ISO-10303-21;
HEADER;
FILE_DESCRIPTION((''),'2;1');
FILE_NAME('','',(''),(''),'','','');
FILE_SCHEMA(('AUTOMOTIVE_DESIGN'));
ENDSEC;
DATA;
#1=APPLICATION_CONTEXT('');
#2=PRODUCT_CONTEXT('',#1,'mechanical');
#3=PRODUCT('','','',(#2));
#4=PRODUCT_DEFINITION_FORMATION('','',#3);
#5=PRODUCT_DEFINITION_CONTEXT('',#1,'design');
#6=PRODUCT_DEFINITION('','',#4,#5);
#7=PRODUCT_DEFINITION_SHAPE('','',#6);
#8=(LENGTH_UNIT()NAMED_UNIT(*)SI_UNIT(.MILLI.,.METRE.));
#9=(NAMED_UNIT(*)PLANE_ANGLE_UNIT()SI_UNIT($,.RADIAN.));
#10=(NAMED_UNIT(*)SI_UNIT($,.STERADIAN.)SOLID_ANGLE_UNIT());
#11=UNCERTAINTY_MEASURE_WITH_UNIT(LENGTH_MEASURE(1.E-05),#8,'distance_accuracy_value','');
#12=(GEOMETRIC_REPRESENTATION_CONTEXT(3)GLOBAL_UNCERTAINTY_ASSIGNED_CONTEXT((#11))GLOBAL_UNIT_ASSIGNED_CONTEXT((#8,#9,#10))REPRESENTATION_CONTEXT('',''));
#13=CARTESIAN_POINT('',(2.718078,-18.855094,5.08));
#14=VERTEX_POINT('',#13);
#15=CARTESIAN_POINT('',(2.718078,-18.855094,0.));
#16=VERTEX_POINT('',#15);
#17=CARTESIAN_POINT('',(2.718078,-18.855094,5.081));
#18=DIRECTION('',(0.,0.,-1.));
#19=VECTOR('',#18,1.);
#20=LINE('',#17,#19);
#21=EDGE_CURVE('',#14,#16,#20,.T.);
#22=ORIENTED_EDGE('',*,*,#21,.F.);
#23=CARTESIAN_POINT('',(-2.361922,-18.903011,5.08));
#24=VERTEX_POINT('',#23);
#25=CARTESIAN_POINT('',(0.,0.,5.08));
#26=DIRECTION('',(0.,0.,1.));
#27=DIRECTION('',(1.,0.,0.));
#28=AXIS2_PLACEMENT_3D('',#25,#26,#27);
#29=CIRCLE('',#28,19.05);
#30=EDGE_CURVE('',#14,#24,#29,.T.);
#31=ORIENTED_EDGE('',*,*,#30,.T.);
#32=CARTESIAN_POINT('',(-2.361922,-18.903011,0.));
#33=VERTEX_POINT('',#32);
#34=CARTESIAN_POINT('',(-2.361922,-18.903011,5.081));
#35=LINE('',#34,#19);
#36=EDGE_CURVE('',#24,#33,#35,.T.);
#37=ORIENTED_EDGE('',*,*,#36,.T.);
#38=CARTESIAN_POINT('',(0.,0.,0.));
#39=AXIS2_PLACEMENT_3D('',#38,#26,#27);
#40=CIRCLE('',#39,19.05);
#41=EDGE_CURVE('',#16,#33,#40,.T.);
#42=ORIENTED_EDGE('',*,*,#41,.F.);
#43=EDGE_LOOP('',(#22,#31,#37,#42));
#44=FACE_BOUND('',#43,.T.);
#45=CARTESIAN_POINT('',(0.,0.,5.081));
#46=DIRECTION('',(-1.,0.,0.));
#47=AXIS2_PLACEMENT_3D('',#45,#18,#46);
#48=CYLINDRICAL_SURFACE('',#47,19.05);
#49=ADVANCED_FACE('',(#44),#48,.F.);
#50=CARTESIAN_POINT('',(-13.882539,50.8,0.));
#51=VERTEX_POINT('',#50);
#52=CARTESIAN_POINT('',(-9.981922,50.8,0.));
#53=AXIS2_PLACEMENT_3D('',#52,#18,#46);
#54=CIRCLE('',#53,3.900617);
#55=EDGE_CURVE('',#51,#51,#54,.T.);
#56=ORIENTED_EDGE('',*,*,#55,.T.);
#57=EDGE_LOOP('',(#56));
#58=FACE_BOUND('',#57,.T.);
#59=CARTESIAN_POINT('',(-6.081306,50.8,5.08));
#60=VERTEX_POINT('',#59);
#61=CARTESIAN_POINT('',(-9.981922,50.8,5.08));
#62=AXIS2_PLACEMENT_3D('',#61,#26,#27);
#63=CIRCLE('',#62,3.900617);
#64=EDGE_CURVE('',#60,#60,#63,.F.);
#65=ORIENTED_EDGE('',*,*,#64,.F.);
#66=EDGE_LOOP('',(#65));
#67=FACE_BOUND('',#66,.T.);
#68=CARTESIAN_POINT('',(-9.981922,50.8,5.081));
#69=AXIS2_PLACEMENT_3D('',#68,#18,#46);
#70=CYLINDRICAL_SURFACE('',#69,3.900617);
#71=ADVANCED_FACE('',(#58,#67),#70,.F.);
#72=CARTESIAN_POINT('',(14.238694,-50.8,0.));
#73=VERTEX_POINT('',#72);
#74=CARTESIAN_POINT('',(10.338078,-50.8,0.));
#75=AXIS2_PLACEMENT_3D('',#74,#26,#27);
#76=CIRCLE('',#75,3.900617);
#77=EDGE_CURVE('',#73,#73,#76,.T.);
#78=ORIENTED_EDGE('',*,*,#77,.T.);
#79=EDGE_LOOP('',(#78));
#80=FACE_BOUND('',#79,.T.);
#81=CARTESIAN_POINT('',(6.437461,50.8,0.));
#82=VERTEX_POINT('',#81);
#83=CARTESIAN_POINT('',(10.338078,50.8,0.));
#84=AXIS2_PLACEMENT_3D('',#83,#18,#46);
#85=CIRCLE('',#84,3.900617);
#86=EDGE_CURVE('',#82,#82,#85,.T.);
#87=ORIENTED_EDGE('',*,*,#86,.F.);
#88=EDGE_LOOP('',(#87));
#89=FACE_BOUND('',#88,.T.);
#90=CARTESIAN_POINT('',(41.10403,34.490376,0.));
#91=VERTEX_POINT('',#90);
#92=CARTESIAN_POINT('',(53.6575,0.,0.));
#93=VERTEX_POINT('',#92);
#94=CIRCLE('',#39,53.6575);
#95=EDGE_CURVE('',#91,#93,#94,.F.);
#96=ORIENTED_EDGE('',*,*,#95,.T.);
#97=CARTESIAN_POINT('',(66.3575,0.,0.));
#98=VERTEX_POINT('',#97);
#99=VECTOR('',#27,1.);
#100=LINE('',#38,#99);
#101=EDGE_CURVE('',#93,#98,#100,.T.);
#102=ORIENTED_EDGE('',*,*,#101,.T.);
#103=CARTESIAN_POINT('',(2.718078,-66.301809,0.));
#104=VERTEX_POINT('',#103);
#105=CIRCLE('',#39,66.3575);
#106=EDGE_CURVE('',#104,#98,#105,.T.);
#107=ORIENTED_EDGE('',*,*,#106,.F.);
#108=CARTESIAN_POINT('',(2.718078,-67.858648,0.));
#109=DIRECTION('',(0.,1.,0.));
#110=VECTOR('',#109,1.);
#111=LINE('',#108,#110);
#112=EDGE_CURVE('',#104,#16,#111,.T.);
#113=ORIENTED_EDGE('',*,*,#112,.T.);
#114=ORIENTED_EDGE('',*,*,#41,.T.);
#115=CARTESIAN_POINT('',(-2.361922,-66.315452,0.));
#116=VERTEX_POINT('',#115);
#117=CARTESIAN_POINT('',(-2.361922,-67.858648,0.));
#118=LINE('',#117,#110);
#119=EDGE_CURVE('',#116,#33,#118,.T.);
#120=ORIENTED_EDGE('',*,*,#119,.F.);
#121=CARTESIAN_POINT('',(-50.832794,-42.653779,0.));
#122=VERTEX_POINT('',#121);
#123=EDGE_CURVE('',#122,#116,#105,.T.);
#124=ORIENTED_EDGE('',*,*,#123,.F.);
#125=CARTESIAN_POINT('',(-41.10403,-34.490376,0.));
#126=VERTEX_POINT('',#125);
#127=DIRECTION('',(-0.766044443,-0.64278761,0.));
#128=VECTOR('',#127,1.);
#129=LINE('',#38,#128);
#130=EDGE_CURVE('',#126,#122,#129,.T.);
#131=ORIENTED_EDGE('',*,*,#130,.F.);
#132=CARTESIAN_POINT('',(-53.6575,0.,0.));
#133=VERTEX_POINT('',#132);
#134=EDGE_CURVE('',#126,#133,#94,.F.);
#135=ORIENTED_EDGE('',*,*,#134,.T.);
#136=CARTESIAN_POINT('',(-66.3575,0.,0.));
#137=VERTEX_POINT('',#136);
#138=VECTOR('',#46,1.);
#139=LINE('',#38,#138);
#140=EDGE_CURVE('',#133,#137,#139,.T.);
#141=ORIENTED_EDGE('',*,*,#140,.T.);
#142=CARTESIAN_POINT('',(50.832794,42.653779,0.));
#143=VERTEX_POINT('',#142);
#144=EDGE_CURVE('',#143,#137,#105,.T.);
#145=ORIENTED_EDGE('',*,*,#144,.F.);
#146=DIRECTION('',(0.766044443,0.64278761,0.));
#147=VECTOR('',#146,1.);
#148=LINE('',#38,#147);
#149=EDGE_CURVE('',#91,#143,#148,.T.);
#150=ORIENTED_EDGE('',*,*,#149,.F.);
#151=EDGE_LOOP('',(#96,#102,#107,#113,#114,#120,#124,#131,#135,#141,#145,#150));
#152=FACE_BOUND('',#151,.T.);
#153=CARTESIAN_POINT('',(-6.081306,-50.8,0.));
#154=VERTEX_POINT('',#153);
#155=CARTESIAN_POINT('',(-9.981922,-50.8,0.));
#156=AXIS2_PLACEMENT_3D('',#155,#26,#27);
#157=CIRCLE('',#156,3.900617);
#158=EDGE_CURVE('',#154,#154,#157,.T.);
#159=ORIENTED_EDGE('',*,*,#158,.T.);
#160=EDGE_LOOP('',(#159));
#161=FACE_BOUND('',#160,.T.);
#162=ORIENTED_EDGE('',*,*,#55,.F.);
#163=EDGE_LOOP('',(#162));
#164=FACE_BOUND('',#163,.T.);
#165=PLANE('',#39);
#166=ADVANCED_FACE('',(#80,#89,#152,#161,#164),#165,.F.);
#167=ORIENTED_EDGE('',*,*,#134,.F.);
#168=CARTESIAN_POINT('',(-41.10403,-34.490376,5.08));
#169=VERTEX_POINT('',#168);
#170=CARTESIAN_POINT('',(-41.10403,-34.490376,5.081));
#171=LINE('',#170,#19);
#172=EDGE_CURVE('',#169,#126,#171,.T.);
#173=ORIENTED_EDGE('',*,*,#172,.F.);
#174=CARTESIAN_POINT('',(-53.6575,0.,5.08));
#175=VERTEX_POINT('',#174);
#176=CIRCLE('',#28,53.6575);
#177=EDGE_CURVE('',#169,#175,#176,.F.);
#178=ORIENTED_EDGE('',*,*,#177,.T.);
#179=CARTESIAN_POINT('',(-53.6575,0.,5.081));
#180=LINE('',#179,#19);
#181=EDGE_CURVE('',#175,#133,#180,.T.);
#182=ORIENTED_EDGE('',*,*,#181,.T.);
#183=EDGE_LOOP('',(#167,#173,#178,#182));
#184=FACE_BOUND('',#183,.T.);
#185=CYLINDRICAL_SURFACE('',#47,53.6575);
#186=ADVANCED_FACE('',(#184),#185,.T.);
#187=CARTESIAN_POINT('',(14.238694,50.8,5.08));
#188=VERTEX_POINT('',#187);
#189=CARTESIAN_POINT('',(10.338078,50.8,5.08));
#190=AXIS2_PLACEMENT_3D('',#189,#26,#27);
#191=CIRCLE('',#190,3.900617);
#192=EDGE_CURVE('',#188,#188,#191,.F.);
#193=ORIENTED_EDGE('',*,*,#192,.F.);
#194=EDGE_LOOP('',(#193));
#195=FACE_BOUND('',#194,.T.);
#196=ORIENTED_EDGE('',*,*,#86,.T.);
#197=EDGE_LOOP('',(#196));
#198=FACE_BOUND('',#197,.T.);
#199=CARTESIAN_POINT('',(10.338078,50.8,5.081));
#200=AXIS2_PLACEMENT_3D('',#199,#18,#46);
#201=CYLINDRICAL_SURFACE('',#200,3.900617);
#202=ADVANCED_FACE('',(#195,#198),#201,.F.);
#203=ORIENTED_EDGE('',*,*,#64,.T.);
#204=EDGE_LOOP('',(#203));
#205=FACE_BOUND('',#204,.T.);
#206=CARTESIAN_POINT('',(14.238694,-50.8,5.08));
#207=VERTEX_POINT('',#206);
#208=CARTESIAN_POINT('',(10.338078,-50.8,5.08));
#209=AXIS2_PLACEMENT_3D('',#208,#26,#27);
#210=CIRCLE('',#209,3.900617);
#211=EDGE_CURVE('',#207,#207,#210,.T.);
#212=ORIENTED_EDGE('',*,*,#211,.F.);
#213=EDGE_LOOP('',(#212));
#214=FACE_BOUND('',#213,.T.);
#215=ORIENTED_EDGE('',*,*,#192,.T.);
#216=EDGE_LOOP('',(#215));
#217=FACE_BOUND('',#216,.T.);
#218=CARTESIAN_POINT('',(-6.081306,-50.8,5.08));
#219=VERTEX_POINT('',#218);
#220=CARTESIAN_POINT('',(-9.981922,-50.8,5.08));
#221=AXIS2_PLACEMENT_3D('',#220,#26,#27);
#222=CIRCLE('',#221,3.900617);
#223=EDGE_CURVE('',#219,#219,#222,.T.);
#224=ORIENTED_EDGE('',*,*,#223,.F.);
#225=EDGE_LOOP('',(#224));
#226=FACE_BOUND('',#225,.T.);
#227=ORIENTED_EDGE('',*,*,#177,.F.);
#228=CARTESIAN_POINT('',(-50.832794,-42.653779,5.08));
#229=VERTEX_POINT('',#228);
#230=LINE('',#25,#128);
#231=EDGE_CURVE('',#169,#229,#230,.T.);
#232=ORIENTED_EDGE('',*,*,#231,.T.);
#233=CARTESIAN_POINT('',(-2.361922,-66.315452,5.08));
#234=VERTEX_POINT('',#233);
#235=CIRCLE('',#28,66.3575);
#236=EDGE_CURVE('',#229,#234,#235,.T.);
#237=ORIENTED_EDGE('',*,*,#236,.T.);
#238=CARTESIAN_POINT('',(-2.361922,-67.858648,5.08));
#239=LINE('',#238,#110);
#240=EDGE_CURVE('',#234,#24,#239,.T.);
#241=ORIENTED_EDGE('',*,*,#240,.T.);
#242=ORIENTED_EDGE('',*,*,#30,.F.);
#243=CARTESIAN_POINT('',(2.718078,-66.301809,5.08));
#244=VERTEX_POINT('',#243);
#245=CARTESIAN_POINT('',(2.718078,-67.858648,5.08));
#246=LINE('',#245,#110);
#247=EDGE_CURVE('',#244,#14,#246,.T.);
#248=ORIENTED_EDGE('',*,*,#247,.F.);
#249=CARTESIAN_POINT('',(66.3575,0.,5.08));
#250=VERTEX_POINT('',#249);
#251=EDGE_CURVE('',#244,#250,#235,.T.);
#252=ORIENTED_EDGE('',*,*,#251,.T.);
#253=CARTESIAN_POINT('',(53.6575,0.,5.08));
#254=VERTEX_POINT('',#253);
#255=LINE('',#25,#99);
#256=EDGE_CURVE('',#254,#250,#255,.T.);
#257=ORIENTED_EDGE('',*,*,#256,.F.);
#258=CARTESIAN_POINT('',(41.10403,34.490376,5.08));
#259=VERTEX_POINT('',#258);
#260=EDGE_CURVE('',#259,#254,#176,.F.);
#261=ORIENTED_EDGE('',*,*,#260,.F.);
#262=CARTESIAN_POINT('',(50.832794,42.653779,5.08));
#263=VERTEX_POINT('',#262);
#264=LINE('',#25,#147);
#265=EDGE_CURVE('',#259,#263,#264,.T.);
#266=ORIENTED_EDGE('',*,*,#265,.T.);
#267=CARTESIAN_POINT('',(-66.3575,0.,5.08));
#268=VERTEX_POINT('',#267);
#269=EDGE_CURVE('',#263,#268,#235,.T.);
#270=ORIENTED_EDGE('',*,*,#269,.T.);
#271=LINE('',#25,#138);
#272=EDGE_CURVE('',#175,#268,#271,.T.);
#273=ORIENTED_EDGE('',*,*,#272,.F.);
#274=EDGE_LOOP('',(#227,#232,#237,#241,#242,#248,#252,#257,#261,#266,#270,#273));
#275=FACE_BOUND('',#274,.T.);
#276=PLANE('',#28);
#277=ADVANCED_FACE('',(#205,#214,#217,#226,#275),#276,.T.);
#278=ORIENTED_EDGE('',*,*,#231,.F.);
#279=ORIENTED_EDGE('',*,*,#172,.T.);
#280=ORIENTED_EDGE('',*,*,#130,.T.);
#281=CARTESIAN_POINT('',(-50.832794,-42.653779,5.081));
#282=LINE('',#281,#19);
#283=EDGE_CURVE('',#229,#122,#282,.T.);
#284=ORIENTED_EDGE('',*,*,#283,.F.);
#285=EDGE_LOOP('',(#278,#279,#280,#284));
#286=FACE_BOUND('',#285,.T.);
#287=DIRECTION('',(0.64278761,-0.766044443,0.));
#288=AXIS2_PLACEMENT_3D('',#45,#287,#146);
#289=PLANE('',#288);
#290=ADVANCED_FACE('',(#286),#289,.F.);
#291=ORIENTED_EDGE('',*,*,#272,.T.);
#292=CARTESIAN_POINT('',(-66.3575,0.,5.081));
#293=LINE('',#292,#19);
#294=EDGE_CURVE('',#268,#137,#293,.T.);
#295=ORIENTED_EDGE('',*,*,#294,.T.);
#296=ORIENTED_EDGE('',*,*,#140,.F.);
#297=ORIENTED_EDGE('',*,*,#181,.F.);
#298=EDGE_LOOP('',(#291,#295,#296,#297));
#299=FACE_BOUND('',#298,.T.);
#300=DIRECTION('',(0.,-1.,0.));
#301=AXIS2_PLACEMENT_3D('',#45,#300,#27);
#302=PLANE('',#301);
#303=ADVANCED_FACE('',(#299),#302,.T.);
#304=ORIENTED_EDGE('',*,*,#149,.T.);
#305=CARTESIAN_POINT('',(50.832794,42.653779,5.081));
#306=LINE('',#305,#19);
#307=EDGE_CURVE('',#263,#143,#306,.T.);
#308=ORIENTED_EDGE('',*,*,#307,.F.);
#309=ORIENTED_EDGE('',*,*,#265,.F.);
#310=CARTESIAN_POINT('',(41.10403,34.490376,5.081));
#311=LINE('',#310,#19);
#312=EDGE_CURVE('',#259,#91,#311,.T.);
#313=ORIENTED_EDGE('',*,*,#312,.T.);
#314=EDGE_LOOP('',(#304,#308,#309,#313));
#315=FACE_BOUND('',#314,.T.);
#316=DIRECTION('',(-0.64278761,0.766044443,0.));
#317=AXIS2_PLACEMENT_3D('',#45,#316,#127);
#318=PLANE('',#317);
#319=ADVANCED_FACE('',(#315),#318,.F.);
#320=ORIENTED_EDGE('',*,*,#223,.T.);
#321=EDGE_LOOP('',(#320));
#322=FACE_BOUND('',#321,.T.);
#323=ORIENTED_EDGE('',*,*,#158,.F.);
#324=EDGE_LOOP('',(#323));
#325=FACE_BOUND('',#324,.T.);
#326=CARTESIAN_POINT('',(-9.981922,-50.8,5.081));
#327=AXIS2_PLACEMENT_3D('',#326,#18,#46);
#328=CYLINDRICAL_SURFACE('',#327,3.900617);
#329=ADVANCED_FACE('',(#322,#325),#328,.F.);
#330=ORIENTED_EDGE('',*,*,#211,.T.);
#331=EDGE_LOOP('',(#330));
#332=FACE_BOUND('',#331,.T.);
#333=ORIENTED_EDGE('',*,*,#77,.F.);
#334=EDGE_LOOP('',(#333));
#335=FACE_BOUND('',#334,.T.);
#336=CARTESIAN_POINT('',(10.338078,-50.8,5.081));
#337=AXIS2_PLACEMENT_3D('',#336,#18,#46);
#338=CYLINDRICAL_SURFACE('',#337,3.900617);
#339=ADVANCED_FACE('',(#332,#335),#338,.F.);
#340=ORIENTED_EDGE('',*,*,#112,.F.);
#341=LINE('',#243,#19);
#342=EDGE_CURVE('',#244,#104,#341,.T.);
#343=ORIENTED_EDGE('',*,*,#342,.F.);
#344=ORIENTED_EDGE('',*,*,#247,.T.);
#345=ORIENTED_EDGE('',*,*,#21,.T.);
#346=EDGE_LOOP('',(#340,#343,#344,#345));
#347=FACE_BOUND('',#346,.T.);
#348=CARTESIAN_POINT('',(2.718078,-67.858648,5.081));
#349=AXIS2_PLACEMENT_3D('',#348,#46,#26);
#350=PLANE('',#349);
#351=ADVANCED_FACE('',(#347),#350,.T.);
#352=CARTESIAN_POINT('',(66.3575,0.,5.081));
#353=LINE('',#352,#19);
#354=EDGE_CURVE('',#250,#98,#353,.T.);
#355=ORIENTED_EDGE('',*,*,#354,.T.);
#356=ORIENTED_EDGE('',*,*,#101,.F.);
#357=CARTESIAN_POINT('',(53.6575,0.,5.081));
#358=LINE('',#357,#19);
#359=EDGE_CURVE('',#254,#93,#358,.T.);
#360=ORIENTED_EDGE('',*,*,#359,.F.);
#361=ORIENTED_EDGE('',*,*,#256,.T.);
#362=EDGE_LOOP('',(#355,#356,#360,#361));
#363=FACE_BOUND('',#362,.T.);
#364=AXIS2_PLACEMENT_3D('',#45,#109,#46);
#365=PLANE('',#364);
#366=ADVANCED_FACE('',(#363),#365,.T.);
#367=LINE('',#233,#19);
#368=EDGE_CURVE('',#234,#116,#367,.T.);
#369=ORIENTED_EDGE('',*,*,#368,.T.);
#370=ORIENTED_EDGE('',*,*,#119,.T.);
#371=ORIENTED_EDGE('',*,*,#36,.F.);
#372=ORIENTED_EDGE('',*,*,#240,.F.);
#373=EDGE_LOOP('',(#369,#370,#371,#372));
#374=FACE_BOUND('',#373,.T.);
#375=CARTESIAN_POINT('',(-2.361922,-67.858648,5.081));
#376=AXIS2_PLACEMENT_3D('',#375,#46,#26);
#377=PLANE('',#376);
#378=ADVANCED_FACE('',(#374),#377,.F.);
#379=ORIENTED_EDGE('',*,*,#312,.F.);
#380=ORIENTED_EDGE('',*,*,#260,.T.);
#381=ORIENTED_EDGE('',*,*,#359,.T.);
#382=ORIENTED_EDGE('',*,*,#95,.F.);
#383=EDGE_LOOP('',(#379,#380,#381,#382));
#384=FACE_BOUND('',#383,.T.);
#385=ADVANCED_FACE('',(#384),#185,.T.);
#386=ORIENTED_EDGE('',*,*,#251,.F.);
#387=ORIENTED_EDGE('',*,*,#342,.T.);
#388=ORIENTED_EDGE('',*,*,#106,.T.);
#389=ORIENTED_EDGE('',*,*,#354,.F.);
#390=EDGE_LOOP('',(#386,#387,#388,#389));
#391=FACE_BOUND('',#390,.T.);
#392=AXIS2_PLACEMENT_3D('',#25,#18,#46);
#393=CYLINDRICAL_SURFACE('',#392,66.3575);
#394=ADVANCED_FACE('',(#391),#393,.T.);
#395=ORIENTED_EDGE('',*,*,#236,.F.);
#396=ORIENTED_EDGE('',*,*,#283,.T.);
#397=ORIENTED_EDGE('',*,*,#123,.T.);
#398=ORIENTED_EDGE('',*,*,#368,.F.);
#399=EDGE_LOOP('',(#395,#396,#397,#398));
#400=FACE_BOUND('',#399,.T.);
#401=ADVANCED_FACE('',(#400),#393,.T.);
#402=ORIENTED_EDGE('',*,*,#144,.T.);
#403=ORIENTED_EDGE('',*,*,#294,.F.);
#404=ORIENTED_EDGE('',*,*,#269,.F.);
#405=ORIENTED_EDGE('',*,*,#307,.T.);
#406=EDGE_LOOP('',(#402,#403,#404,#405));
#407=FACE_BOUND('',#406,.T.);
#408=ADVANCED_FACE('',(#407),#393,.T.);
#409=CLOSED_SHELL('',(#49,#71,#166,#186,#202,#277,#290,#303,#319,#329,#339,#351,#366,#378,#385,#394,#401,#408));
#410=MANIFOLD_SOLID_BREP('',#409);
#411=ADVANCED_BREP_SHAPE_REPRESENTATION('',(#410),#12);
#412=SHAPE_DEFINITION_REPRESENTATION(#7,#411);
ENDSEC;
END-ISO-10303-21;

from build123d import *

# Parameters (mm, degrees)
SKETCH1_R           = 66.3575
BOSS_EXTRUDE1_DEPTH = 5.08
CUT_EXTRUDE1_REACH  = 95.981
SKETCH3_R           = 19.05
CUT_EXTRUDE2_REACH  = 95.981
SKETCH3_4_W         = 5.08
SKETCH3_4_H         = 59.193573399
SKETCH3_4_R         = 3.900616975


with BuildPart() as part:
    # Sketch1 → Boss-Extrude1 (new body)
    with BuildSketch(Plane.XY):
        Circle(SKETCH1_R)
    extrude(amount=BOSS_EXTRUDE1_DEPTH)

    # Sketch3 → Cut-Extrude1 (cut, up to next)
    with BuildSketch(Plane.XY, mode=Mode.PRIVATE) as cut_extrude1_sk1:
        Circle(SKETCH3_R)
    cut_extrude1_tool1 = extrude(cut_extrude1_sk1.sketch, amount=CUT_EXTRUDE1_REACH, mode=Mode.PRIVATE) & part.part
    add(cut_extrude1_tool1.solids().sort_by_distance((0, 0, 0))[0], mode=Mode.SUBTRACT)

    # Sketch3<4> → Cut-Extrude2 (cut, up to next)
    with BuildSketch(Plane.XY, mode=Mode.PRIVATE) as cut_extrude2_sk1:
        with Locations((0.17807752, -38.26186151)):
            Rectangle(SKETCH3_4_W, SKETCH3_4_H)
    cut_extrude2_tool1 = extrude(cut_extrude2_sk1.sketch, amount=CUT_EXTRUDE2_REACH, mode=Mode.PRIVATE) & part.part
    # Sketch3<4> → Cut-Extrude2 (cut, up to next)
    with BuildSketch(Plane.XY, mode=Mode.PRIVATE) as cut_extrude2_sk2:
        with Locations((10.33807752, -50.8)):
            Circle(SKETCH3_4_R)
    cut_extrude2_tool2 = extrude(cut_extrude2_sk2.sketch, amount=CUT_EXTRUDE2_REACH, mode=Mode.PRIVATE) & part.part
    # Sketch3<4> → Cut-Extrude2 (cut, up to next)
    with BuildSketch(Plane.XY, mode=Mode.PRIVATE) as cut_extrude2_sk3:
        with Locations((-9.98192248, -50.8)):
            Circle(SKETCH3_4_R)
    cut_extrude2_tool3 = extrude(cut_extrude2_sk3.sketch, amount=CUT_EXTRUDE2_REACH, mode=Mode.PRIVATE) & part.part
    # Sketch3<4> → Cut-Extrude2 (cut, up to next)
    with BuildSketch(Plane.XY, mode=Mode.PRIVATE) as cut_extrude2_sk4:
        with BuildLine():
            ThreePointArc((41.104029707, 34.490376167), (50.4215568, 18.35194584), (53.6575, 0))
            Line((53.6575, 0), (66.3575, 0))
            ThreePointArc((66.3575, 0), (62.355653084, 22.695601661), (50.832794134, 42.65377881))
            Line((50.832794134, 42.65377881), (41.104029707, 34.490376167))
        make_face()
    cut_extrude2_tool4 = extrude(cut_extrude2_sk4.sketch, amount=CUT_EXTRUDE2_REACH, mode=Mode.PRIVATE) & part.part
    # Sketch3<4> → Cut-Extrude2 (cut, up to next)
    with BuildSketch(Plane.XY, mode=Mode.PRIVATE) as cut_extrude2_sk5:
        with BuildLine():
            Line((-50.832794134, -42.65377881), (-41.104029707, -34.490376167))
            ThreePointArc((-41.104029707, -34.490376167), (-50.4215568, -18.35194584), (-53.6575, 0))
            Line((-53.6575, 0), (-66.3575, 0))
            ThreePointArc((-66.3575, 0), (-62.355653084, -22.695601661), (-50.832794134, -42.65377881))
        make_face()
    cut_extrude2_tool5 = extrude(cut_extrude2_sk5.sketch, amount=CUT_EXTRUDE2_REACH, mode=Mode.PRIVATE) & part.part
    # Sketch3<4> → Cut-Extrude2 (cut, up to next)
    with BuildSketch(Plane.XY, mode=Mode.PRIVATE) as cut_extrude2_sk6:
        with Locations((10.33807752, 50.8)):
            Circle(SKETCH3_4_R)
    cut_extrude2_tool6 = extrude(cut_extrude2_sk6.sketch, amount=CUT_EXTRUDE2_REACH, mode=Mode.PRIVATE) & part.part
    # Sketch3<4> → Cut-Extrude2 (cut, up to next)
    with BuildSketch(Plane.XY, mode=Mode.PRIVATE) as cut_extrude2_sk7:
        with Locations((-9.98192248, 50.8)):
            Circle(SKETCH3_4_R)
    cut_extrude2_tool7 = extrude(cut_extrude2_sk7.sketch, amount=CUT_EXTRUDE2_REACH, mode=Mode.PRIVATE) & part.part
    add(cut_extrude2_tool1.solids().sort_by_distance((0.178078, -38.261862, 0))[0], mode=Mode.SUBTRACT)
    add(cut_extrude2_tool2.solids().sort_by_distance((10.338078, -50.8, 0))[0], mode=Mode.SUBTRACT)
    add(cut_extrude2_tool3.solids().sort_by_distance((-9.981922, -50.8, 0))[0], mode=Mode.SUBTRACT)
    add(cut_extrude2_tool4.solids().sort_by_distance((55.456661, 20.184574, 0))[0], mode=Mode.SUBTRACT)
    add(cut_extrude2_tool5.solids().sort_by_distance((-55.456661, -20.184574, 0))[0], mode=Mode.SUBTRACT)
    add(cut_extrude2_tool6.solids().sort_by_distance((10.338078, 50.8, 0))[0], mode=Mode.SUBTRACT)
    add(cut_extrude2_tool7.solids().sort_by_distance((-9.981922, 50.8, 0))[0], mode=Mode.SUBTRACT)


solid = part.part
